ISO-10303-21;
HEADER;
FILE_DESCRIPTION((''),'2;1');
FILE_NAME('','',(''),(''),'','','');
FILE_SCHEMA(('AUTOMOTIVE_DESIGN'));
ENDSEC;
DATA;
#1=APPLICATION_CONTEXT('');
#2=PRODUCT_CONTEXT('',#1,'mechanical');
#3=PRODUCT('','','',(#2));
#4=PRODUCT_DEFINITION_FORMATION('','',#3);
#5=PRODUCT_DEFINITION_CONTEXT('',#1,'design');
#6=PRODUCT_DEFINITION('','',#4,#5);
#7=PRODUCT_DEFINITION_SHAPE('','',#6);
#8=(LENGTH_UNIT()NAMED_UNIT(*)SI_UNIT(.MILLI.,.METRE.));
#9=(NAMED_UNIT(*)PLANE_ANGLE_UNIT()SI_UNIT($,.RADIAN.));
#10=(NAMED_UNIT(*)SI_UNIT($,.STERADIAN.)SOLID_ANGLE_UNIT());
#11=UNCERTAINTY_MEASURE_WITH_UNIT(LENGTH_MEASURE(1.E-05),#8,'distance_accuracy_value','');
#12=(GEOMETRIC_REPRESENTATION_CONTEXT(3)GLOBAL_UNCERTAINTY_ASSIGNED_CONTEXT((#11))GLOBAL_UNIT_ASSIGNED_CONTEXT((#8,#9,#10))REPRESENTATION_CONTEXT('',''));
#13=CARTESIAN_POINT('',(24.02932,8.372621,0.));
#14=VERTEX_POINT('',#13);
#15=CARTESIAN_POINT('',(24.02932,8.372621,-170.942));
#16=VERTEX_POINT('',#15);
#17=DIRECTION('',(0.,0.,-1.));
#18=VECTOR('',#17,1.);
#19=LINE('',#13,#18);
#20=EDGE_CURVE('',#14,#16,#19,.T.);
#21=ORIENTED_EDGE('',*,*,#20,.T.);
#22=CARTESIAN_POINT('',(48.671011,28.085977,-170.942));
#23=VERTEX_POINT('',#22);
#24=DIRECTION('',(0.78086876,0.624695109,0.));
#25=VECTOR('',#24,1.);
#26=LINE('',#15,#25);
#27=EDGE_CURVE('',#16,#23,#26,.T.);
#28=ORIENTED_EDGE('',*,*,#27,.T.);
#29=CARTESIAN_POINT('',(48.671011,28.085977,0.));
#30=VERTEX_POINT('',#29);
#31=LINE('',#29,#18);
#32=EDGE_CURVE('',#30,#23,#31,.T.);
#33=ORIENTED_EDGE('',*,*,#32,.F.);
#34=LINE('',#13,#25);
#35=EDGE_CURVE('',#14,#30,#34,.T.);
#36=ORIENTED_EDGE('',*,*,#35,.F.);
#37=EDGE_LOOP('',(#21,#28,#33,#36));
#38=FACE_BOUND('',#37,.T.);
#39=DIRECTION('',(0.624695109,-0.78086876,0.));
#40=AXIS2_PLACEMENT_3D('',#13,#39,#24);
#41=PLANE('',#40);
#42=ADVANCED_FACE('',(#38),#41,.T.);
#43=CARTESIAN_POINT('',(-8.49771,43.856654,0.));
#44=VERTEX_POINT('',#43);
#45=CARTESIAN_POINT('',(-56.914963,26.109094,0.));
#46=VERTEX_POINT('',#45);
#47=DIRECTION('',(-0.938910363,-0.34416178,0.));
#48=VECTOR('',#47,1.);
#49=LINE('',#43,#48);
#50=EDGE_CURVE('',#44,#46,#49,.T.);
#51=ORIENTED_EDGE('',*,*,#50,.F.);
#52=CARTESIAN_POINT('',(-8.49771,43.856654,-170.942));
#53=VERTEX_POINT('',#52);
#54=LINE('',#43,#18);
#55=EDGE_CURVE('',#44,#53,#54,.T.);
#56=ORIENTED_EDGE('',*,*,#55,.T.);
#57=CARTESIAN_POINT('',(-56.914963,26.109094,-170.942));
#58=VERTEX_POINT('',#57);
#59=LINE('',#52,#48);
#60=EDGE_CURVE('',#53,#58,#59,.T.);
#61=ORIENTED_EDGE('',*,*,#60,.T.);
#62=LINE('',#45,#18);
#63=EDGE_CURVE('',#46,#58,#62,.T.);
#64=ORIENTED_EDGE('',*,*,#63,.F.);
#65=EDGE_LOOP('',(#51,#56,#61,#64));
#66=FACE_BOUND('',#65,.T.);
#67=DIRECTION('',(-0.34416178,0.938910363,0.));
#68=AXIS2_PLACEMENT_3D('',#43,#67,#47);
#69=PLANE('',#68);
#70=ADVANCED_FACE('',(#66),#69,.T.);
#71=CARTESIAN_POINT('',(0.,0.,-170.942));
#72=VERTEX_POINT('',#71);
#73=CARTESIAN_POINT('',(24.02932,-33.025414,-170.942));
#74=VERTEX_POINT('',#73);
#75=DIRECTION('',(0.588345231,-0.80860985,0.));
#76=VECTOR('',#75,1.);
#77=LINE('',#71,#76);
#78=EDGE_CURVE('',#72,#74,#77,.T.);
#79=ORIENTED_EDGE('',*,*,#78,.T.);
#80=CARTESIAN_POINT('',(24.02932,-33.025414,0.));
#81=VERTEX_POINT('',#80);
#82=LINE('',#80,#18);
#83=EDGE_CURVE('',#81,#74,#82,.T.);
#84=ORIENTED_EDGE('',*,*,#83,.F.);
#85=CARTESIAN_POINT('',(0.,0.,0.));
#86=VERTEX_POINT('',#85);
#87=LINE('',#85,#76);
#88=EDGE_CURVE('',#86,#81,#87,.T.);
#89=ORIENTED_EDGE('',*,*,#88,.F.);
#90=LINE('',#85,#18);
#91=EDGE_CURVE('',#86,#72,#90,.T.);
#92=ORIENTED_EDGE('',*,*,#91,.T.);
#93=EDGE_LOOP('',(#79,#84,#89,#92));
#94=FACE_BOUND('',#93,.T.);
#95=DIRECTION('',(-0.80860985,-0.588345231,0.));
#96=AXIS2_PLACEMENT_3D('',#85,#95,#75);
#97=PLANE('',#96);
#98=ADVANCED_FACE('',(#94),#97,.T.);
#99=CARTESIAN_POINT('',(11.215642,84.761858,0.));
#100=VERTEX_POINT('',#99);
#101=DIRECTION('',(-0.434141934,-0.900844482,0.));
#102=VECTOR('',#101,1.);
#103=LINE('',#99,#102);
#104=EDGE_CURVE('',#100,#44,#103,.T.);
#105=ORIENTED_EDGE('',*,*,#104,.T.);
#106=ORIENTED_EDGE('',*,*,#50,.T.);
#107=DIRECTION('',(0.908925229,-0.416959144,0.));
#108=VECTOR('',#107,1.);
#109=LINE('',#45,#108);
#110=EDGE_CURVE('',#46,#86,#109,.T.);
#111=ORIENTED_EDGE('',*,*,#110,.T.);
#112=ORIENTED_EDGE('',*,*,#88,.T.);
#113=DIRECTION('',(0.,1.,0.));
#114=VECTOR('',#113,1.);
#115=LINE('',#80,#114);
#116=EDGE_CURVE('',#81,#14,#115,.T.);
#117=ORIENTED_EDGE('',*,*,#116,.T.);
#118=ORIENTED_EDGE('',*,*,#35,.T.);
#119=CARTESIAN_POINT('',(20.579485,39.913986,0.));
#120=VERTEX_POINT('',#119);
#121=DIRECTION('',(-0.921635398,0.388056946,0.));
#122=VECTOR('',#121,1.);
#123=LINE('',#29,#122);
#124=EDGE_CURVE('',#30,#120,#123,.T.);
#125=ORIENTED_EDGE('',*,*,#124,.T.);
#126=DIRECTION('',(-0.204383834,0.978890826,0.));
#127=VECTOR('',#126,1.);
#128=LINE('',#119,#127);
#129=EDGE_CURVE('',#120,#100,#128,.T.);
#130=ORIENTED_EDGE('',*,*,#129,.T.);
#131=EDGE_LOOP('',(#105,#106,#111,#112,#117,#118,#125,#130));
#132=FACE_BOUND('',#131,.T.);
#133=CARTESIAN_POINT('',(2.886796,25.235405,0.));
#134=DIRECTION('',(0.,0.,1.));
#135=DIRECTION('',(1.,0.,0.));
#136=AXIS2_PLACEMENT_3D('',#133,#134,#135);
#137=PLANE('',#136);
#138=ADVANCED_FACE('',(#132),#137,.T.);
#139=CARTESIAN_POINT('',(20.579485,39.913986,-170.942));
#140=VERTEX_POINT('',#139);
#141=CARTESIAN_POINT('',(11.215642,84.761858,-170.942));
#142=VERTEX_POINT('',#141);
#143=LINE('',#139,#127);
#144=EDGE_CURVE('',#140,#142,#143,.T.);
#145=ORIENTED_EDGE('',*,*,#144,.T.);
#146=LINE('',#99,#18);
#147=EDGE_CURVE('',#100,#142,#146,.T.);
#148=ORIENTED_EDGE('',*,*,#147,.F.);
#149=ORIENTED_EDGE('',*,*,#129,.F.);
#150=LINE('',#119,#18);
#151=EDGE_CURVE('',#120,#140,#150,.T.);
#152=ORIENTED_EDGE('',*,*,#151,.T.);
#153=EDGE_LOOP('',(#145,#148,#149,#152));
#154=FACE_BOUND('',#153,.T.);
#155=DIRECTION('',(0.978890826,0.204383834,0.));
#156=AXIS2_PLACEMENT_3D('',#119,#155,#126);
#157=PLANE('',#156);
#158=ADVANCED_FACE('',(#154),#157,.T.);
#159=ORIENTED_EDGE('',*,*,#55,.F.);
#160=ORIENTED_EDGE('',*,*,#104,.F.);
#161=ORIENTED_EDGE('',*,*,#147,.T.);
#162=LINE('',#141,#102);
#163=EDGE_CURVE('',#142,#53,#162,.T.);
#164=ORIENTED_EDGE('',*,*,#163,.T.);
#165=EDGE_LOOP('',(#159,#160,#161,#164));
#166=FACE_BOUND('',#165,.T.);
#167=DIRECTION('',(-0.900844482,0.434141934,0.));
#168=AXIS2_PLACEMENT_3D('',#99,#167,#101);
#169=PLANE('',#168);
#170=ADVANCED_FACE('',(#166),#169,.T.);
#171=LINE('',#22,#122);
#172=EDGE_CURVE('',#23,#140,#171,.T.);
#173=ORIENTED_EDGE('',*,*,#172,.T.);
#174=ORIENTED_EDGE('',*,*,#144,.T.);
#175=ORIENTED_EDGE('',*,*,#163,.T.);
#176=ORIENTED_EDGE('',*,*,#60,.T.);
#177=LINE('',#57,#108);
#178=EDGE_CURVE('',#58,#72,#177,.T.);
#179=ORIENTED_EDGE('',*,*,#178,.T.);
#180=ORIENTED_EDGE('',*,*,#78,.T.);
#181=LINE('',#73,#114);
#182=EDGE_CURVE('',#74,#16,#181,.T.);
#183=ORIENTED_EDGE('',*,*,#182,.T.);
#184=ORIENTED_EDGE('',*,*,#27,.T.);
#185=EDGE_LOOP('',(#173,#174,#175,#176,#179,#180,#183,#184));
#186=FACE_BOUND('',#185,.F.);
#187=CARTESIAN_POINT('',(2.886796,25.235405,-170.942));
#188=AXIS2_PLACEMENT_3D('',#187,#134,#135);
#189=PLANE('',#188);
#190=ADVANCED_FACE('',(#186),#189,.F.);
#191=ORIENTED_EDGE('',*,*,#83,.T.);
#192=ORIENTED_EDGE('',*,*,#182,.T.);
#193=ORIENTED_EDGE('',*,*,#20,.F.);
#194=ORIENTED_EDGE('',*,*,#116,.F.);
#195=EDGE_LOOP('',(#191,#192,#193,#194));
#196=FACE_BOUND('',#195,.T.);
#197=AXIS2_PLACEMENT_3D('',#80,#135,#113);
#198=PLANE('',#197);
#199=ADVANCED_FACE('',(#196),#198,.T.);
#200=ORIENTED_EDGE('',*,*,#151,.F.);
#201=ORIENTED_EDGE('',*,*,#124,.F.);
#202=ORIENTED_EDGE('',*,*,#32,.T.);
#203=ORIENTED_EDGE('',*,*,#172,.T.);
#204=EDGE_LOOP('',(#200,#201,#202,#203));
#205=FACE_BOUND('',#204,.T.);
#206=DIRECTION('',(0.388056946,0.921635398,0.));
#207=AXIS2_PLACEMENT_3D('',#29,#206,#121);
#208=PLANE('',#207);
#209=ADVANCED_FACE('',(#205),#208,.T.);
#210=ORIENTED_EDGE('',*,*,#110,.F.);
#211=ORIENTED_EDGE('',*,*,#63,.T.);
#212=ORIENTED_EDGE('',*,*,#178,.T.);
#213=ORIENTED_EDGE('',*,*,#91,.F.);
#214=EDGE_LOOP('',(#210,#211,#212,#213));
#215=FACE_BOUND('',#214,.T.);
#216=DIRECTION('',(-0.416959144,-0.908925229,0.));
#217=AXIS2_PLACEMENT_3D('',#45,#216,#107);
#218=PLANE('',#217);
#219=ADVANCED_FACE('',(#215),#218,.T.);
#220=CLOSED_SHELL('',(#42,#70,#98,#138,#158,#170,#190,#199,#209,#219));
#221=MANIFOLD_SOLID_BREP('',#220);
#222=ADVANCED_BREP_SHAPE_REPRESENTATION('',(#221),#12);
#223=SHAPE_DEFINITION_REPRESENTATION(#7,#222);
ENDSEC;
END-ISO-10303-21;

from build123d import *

# Parameters (mm, degrees)
F1_DEPTH = 170.942


with BuildPart() as f1:
    # F0 (on Top) → F1 (new body)
    with BuildSketch(Plane.XY):
        Polygon((-56.914963, 26.109094), (0, 0), (24.02932, -33.025414), (24.02932, 8.372621), (48.671011, 28.085977), (20.579485, 39.913986), (11.215642, 84.761858), (-8.49771, 43.856654), align=None)
    extrude(amount=-F1_DEPTH)


solid = f1.part
